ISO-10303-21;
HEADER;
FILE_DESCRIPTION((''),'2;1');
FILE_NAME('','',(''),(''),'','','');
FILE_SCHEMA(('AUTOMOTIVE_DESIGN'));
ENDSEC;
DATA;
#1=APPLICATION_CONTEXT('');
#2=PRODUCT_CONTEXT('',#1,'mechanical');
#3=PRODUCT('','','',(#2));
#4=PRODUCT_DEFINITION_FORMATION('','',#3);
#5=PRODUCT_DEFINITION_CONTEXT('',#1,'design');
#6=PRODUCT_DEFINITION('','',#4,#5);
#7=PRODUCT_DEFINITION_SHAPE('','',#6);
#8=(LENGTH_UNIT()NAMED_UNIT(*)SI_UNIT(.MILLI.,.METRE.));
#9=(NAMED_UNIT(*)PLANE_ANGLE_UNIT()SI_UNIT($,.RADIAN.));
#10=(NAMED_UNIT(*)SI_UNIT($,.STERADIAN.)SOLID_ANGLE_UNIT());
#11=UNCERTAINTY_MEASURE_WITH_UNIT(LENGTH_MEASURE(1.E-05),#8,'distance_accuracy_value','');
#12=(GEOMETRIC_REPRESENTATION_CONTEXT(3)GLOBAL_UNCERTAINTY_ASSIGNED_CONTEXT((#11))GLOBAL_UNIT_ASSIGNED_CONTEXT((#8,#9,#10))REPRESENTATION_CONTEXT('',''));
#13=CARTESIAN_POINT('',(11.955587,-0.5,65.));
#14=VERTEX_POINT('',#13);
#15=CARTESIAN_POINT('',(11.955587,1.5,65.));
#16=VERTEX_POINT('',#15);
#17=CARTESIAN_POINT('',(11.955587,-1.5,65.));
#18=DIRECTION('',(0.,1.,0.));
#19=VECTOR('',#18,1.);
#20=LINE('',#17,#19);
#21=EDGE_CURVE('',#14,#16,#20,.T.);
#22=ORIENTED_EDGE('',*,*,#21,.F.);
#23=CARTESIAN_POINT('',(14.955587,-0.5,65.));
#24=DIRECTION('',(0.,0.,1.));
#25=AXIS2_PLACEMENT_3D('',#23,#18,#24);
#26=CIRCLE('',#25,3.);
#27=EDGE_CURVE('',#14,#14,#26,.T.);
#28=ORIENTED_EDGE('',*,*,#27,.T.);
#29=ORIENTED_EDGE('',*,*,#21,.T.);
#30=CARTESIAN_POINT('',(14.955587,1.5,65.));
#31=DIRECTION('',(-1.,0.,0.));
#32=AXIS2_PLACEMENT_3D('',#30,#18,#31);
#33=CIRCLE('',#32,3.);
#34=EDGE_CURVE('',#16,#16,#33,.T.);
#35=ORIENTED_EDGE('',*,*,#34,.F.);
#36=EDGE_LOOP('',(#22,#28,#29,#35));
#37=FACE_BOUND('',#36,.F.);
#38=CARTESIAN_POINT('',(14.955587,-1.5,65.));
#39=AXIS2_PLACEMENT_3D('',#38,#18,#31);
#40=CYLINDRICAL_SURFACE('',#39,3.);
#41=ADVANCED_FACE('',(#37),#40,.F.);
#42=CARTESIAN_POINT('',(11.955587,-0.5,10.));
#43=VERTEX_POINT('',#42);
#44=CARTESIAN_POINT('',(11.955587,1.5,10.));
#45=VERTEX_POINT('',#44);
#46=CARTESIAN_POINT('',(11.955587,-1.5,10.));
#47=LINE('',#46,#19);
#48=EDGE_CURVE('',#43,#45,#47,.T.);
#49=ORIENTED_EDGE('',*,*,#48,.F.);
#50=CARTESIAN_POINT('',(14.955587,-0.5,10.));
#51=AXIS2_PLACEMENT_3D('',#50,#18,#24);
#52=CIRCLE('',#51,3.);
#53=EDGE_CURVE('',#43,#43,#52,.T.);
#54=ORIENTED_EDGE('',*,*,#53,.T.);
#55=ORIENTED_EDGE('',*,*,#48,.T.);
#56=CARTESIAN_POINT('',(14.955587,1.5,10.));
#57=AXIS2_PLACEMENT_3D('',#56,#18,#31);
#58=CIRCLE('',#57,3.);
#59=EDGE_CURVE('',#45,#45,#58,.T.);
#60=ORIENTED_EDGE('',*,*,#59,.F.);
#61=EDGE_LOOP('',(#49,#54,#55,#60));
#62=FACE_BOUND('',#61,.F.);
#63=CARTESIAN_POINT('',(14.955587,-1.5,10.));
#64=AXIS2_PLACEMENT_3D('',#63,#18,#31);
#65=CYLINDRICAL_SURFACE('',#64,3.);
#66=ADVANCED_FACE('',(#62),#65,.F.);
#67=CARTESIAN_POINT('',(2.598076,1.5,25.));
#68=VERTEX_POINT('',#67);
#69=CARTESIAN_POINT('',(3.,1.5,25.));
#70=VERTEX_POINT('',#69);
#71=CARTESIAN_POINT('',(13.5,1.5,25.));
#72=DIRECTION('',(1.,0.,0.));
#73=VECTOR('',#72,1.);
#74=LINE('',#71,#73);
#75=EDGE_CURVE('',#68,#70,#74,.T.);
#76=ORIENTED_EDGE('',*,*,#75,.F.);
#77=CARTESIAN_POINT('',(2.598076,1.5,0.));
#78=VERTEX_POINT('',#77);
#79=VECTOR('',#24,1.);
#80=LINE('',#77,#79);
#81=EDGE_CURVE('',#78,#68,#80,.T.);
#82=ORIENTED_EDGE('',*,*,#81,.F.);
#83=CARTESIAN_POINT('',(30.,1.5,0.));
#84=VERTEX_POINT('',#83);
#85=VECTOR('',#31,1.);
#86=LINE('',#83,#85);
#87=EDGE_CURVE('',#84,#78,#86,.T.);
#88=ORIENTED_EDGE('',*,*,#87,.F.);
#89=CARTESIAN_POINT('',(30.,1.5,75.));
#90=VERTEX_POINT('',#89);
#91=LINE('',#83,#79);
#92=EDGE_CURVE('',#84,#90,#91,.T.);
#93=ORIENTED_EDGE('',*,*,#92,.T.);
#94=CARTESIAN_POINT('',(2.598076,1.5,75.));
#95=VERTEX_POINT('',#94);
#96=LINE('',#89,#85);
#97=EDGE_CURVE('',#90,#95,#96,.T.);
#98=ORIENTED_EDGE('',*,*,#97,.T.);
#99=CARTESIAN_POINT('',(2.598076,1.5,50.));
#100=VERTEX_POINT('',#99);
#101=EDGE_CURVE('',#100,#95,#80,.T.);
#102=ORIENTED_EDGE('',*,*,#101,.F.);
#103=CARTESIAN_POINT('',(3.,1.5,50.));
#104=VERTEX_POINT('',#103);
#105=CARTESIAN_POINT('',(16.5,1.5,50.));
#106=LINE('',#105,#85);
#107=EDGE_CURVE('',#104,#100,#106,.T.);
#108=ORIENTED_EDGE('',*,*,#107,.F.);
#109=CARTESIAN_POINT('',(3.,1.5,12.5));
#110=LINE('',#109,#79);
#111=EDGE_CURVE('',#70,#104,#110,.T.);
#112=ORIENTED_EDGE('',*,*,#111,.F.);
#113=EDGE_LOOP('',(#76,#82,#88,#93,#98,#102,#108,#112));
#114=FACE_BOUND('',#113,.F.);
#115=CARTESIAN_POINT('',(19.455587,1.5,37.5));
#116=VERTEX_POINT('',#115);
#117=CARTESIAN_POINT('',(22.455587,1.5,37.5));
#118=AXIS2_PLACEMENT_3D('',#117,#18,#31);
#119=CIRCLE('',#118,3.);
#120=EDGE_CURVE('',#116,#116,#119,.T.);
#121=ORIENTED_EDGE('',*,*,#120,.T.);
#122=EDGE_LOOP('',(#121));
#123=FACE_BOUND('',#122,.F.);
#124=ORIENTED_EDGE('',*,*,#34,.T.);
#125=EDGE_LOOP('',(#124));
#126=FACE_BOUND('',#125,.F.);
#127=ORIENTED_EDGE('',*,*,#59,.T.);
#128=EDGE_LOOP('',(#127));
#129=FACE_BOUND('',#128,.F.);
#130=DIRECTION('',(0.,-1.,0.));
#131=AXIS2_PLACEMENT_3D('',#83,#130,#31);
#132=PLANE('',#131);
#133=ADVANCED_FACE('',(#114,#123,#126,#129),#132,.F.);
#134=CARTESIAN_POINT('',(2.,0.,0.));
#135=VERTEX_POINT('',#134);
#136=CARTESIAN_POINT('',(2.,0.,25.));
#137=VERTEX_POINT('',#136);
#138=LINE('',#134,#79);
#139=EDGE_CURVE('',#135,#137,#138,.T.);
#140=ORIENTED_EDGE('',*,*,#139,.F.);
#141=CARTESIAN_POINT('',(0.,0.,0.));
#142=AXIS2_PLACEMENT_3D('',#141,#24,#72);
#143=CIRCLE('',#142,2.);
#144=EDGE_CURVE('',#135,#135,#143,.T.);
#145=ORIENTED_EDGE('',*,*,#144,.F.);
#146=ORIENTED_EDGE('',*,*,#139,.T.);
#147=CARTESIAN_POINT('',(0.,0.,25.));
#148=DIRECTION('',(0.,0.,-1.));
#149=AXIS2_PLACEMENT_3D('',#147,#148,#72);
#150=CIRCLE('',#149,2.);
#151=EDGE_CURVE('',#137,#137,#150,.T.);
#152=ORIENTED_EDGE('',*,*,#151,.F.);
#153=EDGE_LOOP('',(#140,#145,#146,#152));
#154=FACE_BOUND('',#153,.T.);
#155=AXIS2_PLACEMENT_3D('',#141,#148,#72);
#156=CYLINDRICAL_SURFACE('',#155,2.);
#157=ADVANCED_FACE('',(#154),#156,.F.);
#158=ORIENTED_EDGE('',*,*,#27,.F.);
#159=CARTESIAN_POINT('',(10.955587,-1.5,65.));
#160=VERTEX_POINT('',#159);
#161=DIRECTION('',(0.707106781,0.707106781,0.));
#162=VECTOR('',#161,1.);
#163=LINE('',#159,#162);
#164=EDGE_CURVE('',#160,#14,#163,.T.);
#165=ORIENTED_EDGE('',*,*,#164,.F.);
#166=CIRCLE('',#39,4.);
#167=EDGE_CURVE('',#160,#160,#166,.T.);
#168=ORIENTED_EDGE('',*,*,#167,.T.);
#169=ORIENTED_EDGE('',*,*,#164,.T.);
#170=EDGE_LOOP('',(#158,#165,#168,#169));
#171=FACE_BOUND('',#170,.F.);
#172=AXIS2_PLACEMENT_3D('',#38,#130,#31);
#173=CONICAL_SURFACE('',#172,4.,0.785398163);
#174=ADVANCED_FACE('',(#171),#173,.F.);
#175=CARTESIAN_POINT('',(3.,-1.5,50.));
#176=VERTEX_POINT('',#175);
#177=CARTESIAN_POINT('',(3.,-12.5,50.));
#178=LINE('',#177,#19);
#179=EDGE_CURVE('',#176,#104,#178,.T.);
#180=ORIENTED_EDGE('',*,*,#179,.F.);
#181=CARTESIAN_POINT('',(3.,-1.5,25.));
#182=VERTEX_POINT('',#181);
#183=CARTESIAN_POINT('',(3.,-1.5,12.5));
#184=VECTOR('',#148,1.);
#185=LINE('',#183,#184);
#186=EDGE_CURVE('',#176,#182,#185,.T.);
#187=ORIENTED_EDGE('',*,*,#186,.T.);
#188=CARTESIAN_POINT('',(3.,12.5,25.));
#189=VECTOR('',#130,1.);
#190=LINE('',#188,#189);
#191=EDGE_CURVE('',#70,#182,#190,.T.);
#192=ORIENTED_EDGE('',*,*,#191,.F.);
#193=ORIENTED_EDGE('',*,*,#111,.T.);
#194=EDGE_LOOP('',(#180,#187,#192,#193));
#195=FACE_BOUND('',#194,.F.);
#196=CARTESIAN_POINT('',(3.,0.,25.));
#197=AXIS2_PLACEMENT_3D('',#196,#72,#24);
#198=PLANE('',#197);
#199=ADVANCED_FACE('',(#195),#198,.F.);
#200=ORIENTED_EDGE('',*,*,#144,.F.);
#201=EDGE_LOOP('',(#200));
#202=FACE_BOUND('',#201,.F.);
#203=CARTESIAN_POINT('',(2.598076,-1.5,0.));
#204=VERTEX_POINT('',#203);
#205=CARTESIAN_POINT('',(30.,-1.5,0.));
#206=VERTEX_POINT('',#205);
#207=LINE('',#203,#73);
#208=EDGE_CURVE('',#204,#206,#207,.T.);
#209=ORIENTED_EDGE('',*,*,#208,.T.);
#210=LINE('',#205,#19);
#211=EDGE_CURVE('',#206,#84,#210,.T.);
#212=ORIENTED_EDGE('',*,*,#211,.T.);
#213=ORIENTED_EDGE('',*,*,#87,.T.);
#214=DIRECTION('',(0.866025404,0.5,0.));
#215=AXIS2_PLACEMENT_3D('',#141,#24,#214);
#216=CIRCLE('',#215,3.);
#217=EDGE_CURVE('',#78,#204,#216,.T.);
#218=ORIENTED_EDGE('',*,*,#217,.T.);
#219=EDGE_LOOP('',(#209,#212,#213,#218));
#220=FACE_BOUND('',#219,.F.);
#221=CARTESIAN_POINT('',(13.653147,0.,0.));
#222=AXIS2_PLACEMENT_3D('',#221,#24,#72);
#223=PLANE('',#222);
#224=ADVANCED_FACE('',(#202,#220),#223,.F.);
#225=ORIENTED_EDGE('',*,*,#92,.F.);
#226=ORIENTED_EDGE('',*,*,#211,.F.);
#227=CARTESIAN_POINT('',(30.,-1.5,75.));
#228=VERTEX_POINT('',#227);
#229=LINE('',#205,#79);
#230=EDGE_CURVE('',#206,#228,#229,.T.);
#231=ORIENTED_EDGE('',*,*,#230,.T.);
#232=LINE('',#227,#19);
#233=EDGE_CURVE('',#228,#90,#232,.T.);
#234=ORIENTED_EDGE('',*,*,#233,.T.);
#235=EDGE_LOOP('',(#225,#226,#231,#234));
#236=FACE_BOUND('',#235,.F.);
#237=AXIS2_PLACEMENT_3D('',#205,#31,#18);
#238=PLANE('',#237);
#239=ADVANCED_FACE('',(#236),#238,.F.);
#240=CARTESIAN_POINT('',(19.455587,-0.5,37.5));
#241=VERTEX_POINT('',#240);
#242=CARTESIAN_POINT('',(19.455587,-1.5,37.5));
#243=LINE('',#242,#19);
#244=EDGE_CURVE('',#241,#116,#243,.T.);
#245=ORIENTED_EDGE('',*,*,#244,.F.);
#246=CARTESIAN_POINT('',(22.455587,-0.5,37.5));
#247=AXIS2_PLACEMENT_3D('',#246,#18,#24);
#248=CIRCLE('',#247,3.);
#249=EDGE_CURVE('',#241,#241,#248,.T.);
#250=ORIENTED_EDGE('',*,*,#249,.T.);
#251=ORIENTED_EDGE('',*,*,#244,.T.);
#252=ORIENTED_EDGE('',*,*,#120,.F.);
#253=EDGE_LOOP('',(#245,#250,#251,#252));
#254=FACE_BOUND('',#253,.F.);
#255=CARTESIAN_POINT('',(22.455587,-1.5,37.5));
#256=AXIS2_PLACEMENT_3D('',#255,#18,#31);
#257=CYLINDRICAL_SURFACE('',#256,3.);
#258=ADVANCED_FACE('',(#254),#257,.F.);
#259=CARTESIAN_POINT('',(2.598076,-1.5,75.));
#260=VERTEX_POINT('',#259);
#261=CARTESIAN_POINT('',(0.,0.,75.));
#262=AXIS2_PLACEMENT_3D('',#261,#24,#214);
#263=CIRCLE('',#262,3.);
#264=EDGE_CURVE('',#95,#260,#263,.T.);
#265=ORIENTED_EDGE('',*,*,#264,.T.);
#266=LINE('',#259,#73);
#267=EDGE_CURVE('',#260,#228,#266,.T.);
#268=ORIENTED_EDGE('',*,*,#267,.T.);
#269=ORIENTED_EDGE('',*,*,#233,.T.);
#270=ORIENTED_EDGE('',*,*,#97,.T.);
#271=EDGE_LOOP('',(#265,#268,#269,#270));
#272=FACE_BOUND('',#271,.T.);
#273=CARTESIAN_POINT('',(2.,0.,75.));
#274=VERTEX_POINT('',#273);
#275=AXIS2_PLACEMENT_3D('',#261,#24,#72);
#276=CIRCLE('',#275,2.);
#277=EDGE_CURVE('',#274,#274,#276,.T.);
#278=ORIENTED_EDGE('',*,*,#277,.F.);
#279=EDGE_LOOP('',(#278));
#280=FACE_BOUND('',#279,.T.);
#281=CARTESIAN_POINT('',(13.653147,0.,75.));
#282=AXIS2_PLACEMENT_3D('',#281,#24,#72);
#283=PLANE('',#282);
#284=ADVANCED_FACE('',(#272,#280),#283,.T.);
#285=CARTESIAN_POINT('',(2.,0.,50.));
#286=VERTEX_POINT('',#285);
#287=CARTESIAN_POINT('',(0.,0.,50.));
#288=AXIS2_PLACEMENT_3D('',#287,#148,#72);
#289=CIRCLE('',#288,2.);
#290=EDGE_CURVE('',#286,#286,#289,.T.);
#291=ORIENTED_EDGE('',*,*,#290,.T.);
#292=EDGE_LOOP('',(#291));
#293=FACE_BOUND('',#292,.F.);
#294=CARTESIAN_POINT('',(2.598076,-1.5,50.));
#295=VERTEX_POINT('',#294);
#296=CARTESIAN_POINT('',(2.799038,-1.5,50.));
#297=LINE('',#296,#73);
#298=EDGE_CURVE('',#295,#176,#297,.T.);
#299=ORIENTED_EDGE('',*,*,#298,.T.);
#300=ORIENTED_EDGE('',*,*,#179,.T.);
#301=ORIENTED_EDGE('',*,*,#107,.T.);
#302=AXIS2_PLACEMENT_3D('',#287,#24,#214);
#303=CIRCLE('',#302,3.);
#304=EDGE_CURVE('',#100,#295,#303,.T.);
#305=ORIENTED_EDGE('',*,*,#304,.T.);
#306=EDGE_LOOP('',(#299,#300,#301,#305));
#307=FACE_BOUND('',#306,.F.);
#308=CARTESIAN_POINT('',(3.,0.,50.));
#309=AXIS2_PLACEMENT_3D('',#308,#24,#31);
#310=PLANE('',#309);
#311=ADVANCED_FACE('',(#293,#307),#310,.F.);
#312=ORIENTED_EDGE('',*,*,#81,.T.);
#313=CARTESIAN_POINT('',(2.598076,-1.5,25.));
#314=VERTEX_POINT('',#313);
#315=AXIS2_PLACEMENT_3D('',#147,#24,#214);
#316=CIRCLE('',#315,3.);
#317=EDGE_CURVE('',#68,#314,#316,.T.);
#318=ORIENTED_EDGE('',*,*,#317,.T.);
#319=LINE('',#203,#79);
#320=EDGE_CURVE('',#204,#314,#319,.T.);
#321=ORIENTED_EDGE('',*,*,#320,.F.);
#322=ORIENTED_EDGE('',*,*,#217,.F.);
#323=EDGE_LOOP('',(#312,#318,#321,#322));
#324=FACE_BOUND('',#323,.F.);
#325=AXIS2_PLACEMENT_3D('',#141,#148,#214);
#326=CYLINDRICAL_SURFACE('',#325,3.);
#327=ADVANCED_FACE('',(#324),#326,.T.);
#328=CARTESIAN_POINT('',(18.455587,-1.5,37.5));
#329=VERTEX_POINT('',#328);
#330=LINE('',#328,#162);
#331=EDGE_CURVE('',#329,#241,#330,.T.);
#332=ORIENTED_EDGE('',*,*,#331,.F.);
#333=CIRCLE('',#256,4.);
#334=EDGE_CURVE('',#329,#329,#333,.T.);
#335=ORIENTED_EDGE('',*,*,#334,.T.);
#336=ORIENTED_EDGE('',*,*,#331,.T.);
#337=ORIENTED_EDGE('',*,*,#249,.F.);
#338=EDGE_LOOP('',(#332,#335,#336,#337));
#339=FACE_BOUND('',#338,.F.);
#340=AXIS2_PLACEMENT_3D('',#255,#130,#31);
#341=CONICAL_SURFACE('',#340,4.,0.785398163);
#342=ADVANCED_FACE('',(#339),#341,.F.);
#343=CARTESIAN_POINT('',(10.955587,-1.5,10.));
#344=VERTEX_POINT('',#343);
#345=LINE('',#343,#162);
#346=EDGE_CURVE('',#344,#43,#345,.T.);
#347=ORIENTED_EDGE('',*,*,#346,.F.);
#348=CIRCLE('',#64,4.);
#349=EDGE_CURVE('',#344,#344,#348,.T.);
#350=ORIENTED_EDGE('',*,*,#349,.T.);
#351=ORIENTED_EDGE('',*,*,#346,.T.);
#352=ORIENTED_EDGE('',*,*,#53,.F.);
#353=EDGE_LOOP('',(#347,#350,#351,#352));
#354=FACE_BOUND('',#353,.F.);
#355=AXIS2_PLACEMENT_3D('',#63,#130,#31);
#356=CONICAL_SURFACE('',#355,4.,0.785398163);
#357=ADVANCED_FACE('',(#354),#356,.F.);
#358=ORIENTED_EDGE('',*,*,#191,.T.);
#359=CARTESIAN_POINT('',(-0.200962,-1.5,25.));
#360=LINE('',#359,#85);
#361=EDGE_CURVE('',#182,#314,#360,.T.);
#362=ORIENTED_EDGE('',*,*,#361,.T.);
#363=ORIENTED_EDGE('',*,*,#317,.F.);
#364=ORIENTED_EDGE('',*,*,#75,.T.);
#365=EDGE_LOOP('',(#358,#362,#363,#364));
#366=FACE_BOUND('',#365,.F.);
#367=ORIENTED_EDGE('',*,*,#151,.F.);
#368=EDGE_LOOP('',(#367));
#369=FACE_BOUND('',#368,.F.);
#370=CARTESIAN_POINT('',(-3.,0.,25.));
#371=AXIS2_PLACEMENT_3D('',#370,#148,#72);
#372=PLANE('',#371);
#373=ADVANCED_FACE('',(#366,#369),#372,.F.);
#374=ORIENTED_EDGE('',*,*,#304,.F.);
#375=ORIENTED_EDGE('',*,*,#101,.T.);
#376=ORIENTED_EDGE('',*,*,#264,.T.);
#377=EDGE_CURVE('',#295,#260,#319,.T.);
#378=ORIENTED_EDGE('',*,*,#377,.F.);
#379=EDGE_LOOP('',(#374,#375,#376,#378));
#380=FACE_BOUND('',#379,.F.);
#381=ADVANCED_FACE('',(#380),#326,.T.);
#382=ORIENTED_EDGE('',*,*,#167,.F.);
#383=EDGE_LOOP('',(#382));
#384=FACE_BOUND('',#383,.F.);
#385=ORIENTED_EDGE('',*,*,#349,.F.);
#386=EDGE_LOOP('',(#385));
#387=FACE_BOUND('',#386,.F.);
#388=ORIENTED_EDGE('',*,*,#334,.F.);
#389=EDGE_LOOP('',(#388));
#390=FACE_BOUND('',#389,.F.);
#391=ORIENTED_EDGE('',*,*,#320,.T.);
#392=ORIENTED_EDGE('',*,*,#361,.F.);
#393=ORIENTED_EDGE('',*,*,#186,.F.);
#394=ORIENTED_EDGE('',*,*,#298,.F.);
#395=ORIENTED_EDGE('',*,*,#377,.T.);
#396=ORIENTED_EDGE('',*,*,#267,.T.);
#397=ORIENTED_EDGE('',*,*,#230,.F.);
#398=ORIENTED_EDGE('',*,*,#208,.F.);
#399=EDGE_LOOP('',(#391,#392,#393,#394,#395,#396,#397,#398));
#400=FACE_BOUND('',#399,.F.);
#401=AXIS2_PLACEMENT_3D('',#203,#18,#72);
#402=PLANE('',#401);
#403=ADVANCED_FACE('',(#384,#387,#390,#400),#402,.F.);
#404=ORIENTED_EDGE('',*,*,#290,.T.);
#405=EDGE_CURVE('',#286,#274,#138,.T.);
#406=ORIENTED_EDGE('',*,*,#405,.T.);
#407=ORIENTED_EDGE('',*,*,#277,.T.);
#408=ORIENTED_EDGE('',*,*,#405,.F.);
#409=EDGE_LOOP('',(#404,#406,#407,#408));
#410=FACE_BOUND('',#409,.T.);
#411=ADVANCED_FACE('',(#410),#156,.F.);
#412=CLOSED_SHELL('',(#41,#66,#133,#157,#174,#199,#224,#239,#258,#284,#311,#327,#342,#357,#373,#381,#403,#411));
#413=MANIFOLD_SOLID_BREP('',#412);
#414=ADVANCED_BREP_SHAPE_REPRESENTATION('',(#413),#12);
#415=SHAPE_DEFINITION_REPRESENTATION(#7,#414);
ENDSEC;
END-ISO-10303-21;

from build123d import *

# Parameters (mm, degrees)
F0_R           = 2
F1_DEPTH       = 75
F2_W           = 3
F2_H           = 25
F3_DEPTH       = 12.5
F5_D           = 6
F5_CSINK_D     = 8
F5_CSINK_ANGLE = 90


with BuildPart() as f1:
    # F0 (on Top) → F1 (new body)
    with BuildSketch(Plane.XY):
        with BuildLine():
            Line((30, -1.5), (30, 1.5))
            Line((30, 1.5), (2.5980762114, 1.5))
            ThreePointArc((2.5980762114, 1.5), (-3, 0), (2.5980762114, -1.5))
            Line((2.5980762114, -1.5), (30, -1.5))
        make_face()
        Circle(F0_R, mode=Mode.SUBTRACT)
    extrude(amount=F1_DEPTH)

    # F2 (on Front) → F3 (cut, symmetric)
    with BuildSketch(Plane.XZ):
        with Locations((-1.5, 37.5)):
            Rectangle(F2_W, F2_H)
        with Locations((1.5, 37.5)):
            Rectangle(F2_W, F2_H)
    extrude(amount=F3_DEPTH, both=True, mode=Mode.SUBTRACT)

    # F5 (through all)
    with Locations(Plane.XZ.offset(1.5)):
        with Locations((14.9555867538, 65), (22.4555867538, 37.5), (14.9555867538, 10)):
            CounterSinkHole(F5_D / 2, F5_CSINK_D / 2, counter_sink_angle=F5_CSINK_ANGLE)


solid = f1.part
